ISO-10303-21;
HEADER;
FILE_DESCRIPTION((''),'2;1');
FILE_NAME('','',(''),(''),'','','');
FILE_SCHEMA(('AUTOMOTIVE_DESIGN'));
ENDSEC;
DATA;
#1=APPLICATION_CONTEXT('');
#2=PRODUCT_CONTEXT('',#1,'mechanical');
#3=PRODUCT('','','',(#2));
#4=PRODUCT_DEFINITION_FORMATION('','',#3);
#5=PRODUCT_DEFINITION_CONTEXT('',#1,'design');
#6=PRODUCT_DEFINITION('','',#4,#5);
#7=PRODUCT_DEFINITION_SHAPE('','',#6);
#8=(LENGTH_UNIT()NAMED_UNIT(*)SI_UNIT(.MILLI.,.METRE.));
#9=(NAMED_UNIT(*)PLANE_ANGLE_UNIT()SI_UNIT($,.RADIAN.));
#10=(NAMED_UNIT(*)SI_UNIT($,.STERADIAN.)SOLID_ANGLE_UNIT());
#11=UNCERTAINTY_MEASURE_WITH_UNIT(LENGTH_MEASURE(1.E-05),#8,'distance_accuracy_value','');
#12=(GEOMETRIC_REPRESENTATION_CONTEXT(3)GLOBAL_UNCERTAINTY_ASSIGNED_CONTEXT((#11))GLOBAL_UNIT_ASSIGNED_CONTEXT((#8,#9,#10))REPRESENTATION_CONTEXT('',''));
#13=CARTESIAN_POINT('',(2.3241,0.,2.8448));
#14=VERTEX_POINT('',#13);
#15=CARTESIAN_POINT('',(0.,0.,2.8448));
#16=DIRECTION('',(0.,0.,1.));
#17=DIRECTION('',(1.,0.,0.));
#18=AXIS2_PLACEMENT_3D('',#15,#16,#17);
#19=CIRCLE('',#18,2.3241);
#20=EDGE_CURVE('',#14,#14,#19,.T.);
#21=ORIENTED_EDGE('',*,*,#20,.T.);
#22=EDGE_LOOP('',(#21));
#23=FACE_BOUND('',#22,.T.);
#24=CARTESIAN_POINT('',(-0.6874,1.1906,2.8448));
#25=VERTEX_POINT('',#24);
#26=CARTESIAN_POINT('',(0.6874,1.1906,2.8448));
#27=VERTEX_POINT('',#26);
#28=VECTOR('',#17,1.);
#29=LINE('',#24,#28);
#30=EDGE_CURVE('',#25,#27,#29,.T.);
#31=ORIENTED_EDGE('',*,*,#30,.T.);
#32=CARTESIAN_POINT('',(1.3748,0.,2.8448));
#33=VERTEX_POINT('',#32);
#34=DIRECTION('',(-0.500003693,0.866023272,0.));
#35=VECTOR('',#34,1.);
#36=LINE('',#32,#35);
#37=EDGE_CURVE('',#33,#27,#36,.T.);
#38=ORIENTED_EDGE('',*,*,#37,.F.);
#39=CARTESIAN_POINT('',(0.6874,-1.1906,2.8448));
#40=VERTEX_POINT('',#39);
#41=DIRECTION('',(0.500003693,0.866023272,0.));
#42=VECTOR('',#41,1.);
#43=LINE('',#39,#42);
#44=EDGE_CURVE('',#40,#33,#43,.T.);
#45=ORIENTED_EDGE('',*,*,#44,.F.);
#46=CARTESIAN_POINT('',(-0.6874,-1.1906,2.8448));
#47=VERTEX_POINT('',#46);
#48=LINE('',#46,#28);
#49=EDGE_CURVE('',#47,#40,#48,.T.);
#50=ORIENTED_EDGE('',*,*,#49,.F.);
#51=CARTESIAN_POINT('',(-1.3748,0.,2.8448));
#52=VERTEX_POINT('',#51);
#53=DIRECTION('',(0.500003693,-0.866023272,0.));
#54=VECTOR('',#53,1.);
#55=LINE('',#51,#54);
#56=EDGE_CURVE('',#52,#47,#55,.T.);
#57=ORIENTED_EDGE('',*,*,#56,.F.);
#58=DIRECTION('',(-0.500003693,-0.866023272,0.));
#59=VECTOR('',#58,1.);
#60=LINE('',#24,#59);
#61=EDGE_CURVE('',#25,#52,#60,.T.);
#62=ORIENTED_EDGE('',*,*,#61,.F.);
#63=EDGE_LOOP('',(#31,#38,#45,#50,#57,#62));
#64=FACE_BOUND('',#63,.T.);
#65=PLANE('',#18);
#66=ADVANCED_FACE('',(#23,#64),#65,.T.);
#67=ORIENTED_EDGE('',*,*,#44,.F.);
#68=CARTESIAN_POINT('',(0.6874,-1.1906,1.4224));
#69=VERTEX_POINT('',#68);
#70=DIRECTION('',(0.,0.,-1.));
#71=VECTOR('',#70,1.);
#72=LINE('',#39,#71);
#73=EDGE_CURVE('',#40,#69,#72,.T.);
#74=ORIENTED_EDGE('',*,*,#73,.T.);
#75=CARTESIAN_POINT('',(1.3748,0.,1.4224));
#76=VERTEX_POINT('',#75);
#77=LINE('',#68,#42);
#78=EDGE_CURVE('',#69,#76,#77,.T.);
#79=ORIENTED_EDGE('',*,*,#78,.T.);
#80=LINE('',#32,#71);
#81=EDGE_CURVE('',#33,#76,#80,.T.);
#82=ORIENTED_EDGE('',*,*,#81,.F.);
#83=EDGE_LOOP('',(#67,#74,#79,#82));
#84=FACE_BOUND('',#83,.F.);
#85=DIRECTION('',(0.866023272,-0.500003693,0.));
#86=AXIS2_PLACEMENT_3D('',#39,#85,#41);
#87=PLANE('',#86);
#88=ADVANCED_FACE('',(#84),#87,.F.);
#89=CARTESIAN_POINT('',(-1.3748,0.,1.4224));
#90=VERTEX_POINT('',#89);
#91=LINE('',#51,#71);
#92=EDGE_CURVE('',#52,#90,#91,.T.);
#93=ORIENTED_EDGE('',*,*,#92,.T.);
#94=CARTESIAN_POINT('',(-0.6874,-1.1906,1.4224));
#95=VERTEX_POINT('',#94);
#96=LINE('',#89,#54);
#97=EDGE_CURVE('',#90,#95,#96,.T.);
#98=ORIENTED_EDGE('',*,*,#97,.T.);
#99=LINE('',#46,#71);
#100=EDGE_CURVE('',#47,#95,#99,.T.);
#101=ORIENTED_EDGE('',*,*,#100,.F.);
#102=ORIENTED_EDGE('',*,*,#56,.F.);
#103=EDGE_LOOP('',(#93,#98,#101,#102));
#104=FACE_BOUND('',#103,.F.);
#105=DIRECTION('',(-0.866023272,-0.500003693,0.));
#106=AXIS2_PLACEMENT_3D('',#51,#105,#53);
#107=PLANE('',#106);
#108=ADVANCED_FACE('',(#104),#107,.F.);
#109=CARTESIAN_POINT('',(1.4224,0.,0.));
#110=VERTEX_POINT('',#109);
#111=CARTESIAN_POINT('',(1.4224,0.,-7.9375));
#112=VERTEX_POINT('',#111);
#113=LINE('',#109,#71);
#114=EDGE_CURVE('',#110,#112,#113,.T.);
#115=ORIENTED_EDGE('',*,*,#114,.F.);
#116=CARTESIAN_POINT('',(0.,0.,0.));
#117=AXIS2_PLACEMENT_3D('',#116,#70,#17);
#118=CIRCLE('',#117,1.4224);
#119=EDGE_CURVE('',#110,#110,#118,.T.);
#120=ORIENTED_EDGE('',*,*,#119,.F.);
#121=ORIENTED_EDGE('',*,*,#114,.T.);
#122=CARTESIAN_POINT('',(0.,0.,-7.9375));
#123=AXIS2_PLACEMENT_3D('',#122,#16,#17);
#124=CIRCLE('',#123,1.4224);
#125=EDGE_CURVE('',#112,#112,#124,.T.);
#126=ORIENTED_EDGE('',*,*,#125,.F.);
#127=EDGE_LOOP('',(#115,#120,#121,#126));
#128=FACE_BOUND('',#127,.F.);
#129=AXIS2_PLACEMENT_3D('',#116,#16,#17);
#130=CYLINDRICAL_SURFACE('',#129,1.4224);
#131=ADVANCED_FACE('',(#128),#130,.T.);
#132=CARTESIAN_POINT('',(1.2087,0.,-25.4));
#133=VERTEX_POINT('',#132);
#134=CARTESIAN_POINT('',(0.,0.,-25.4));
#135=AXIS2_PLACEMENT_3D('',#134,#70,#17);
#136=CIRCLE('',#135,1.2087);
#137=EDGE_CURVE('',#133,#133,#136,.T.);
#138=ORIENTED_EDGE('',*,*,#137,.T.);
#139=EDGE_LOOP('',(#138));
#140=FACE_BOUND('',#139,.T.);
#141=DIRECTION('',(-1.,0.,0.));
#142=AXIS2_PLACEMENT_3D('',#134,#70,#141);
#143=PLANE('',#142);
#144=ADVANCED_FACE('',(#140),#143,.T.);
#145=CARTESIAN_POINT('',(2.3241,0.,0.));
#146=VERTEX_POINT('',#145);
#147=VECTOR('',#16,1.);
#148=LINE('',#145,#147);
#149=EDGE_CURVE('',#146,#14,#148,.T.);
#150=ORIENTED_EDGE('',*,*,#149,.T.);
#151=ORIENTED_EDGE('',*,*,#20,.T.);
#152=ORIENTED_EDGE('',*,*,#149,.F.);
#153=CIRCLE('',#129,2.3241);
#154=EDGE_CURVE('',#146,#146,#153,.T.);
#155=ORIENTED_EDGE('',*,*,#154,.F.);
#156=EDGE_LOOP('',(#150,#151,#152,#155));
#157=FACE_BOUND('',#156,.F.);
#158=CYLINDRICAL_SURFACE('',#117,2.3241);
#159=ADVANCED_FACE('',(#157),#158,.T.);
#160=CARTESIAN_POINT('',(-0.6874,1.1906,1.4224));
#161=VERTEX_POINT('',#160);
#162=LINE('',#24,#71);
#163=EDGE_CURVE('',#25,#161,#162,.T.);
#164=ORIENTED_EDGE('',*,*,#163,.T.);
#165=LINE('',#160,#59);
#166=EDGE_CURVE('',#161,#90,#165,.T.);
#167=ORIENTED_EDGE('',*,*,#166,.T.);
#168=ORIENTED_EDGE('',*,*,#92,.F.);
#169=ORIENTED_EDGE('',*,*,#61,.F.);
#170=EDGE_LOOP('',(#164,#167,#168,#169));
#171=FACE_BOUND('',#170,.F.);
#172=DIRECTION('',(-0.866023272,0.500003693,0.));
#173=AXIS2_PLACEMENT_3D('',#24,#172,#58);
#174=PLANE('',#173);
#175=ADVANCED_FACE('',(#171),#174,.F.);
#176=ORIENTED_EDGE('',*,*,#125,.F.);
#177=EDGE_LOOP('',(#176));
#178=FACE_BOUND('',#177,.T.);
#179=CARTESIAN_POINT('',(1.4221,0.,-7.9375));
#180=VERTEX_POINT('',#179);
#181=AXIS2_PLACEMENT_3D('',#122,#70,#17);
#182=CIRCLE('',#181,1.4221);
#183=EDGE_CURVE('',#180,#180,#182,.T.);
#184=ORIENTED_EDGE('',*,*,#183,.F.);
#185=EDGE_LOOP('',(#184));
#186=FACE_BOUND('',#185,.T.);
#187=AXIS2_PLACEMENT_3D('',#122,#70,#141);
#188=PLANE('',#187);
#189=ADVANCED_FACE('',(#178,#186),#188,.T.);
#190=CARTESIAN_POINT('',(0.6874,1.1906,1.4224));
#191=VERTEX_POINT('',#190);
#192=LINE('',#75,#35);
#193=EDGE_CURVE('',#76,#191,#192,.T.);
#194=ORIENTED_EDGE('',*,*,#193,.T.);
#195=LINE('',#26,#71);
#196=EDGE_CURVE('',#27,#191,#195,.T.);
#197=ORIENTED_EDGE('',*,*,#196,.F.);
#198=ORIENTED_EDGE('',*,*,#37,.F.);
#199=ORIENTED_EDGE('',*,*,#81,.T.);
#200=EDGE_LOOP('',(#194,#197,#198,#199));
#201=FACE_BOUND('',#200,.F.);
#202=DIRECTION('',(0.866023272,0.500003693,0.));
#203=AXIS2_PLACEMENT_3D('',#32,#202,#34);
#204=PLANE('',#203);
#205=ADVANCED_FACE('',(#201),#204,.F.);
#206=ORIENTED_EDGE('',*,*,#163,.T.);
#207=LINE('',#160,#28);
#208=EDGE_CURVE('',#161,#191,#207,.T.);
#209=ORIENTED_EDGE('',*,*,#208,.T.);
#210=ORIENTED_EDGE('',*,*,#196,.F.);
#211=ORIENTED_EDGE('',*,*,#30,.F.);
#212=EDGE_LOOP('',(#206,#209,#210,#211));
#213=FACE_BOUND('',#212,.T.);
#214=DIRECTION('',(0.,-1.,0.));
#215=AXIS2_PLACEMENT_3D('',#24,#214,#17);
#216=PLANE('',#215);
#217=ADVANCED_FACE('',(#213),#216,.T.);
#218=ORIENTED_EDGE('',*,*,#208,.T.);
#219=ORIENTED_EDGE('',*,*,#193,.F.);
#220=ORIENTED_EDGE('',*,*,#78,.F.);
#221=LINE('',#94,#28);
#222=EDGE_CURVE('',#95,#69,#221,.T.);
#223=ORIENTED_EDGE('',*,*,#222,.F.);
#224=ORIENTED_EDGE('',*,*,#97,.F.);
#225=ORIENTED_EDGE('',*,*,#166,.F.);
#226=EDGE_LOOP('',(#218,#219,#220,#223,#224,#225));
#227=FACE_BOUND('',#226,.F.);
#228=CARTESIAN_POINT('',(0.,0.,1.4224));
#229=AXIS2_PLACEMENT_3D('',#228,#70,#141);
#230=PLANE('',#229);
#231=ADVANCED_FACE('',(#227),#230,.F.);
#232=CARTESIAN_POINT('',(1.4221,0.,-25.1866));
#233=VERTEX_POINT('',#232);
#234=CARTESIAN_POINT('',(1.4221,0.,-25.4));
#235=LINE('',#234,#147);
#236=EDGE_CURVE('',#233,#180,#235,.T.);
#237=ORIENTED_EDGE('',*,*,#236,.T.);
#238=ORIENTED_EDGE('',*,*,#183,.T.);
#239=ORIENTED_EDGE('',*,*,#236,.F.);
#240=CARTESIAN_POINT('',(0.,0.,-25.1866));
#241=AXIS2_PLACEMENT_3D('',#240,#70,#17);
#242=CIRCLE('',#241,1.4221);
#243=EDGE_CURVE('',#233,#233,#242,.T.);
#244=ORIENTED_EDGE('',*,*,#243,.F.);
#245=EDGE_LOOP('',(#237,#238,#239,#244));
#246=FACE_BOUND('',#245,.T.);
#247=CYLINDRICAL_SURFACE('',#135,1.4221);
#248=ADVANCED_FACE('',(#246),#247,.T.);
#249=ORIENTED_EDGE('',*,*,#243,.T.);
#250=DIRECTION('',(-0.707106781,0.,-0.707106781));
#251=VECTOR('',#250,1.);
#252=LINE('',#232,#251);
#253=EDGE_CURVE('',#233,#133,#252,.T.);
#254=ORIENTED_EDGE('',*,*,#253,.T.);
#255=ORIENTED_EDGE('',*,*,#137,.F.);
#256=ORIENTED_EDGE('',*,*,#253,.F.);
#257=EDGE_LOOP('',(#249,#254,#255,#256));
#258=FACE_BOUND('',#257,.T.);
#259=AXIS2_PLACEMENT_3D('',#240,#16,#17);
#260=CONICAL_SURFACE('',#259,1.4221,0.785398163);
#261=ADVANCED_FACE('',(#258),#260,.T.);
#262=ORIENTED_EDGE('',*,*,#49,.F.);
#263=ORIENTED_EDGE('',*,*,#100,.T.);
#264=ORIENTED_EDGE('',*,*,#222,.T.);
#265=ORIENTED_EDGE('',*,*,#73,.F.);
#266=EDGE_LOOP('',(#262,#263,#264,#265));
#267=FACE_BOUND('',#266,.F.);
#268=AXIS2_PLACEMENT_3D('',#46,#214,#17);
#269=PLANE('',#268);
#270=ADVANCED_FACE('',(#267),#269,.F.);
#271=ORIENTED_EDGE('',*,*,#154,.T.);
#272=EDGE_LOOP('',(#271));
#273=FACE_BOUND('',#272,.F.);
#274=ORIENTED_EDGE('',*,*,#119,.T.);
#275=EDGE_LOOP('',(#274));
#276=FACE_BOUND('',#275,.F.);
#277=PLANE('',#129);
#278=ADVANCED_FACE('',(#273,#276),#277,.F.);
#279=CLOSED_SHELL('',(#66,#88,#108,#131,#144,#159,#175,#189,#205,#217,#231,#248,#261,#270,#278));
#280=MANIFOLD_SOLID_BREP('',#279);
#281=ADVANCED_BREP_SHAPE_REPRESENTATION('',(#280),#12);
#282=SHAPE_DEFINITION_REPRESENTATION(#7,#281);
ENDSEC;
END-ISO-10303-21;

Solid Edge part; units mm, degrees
sketch "Sketch1" plane through (0, 0, 0) normal (0, 0, 1) x (1, 0, 0)
  circle A0 centre (0, 0) radius 2.3241
  dimension "D1" = 4.6482
extrude "Protrusion1" add sketch "Sketch1" along normal blind 2.8448
sketch "Sketch2" plane through (0, 0, 0) normal (0, 0, -1) x (1, 0, 0)
  circle A0 centre (0, 0) radius 1.4224
extrude "Protrusion2" add sketch "Sketch2" along normal blind 25.4
sketch "Sketch3" plane through (0, 0, -25.4) normal (0, 0, -1) x (1, 0, 0)
  circle A0 centre (0, 0) radius 1.4221
extrude "Cutout1" cut sketch "Sketch3" against normal blind 17.4625 flip side to cut
chamfer "Chamfer_1" distance 0.2134 angle 45 1 edges at (-1.4221, 0, -25.4)
sketch "Sketch4" plane through (0, 0, 2.8448) normal (0, 0, 1) x (1, 0, 0)
  line L0 (-0.6874, 1.1906) -> (0.6874, 1.1906)
  line L1 (1.3748, 0) -> (0.6874, 1.1906)
  line L2 (0.6874, -1.1906) -> (1.3748, 0)
  line L3 (-0.6874, -1.1906) -> (0.6874, -1.1906)
  line L4 (-1.3748, 0) -> (-0.6874, -1.1906)
  line L5 (-0.6874, 1.1906) -> (-1.3748, 0)
  dimension "D1" = 2.3812
extrude "Cutout2" cut sketch "Sketch4" against normal blind 1.4224
properties part number "24102956"
